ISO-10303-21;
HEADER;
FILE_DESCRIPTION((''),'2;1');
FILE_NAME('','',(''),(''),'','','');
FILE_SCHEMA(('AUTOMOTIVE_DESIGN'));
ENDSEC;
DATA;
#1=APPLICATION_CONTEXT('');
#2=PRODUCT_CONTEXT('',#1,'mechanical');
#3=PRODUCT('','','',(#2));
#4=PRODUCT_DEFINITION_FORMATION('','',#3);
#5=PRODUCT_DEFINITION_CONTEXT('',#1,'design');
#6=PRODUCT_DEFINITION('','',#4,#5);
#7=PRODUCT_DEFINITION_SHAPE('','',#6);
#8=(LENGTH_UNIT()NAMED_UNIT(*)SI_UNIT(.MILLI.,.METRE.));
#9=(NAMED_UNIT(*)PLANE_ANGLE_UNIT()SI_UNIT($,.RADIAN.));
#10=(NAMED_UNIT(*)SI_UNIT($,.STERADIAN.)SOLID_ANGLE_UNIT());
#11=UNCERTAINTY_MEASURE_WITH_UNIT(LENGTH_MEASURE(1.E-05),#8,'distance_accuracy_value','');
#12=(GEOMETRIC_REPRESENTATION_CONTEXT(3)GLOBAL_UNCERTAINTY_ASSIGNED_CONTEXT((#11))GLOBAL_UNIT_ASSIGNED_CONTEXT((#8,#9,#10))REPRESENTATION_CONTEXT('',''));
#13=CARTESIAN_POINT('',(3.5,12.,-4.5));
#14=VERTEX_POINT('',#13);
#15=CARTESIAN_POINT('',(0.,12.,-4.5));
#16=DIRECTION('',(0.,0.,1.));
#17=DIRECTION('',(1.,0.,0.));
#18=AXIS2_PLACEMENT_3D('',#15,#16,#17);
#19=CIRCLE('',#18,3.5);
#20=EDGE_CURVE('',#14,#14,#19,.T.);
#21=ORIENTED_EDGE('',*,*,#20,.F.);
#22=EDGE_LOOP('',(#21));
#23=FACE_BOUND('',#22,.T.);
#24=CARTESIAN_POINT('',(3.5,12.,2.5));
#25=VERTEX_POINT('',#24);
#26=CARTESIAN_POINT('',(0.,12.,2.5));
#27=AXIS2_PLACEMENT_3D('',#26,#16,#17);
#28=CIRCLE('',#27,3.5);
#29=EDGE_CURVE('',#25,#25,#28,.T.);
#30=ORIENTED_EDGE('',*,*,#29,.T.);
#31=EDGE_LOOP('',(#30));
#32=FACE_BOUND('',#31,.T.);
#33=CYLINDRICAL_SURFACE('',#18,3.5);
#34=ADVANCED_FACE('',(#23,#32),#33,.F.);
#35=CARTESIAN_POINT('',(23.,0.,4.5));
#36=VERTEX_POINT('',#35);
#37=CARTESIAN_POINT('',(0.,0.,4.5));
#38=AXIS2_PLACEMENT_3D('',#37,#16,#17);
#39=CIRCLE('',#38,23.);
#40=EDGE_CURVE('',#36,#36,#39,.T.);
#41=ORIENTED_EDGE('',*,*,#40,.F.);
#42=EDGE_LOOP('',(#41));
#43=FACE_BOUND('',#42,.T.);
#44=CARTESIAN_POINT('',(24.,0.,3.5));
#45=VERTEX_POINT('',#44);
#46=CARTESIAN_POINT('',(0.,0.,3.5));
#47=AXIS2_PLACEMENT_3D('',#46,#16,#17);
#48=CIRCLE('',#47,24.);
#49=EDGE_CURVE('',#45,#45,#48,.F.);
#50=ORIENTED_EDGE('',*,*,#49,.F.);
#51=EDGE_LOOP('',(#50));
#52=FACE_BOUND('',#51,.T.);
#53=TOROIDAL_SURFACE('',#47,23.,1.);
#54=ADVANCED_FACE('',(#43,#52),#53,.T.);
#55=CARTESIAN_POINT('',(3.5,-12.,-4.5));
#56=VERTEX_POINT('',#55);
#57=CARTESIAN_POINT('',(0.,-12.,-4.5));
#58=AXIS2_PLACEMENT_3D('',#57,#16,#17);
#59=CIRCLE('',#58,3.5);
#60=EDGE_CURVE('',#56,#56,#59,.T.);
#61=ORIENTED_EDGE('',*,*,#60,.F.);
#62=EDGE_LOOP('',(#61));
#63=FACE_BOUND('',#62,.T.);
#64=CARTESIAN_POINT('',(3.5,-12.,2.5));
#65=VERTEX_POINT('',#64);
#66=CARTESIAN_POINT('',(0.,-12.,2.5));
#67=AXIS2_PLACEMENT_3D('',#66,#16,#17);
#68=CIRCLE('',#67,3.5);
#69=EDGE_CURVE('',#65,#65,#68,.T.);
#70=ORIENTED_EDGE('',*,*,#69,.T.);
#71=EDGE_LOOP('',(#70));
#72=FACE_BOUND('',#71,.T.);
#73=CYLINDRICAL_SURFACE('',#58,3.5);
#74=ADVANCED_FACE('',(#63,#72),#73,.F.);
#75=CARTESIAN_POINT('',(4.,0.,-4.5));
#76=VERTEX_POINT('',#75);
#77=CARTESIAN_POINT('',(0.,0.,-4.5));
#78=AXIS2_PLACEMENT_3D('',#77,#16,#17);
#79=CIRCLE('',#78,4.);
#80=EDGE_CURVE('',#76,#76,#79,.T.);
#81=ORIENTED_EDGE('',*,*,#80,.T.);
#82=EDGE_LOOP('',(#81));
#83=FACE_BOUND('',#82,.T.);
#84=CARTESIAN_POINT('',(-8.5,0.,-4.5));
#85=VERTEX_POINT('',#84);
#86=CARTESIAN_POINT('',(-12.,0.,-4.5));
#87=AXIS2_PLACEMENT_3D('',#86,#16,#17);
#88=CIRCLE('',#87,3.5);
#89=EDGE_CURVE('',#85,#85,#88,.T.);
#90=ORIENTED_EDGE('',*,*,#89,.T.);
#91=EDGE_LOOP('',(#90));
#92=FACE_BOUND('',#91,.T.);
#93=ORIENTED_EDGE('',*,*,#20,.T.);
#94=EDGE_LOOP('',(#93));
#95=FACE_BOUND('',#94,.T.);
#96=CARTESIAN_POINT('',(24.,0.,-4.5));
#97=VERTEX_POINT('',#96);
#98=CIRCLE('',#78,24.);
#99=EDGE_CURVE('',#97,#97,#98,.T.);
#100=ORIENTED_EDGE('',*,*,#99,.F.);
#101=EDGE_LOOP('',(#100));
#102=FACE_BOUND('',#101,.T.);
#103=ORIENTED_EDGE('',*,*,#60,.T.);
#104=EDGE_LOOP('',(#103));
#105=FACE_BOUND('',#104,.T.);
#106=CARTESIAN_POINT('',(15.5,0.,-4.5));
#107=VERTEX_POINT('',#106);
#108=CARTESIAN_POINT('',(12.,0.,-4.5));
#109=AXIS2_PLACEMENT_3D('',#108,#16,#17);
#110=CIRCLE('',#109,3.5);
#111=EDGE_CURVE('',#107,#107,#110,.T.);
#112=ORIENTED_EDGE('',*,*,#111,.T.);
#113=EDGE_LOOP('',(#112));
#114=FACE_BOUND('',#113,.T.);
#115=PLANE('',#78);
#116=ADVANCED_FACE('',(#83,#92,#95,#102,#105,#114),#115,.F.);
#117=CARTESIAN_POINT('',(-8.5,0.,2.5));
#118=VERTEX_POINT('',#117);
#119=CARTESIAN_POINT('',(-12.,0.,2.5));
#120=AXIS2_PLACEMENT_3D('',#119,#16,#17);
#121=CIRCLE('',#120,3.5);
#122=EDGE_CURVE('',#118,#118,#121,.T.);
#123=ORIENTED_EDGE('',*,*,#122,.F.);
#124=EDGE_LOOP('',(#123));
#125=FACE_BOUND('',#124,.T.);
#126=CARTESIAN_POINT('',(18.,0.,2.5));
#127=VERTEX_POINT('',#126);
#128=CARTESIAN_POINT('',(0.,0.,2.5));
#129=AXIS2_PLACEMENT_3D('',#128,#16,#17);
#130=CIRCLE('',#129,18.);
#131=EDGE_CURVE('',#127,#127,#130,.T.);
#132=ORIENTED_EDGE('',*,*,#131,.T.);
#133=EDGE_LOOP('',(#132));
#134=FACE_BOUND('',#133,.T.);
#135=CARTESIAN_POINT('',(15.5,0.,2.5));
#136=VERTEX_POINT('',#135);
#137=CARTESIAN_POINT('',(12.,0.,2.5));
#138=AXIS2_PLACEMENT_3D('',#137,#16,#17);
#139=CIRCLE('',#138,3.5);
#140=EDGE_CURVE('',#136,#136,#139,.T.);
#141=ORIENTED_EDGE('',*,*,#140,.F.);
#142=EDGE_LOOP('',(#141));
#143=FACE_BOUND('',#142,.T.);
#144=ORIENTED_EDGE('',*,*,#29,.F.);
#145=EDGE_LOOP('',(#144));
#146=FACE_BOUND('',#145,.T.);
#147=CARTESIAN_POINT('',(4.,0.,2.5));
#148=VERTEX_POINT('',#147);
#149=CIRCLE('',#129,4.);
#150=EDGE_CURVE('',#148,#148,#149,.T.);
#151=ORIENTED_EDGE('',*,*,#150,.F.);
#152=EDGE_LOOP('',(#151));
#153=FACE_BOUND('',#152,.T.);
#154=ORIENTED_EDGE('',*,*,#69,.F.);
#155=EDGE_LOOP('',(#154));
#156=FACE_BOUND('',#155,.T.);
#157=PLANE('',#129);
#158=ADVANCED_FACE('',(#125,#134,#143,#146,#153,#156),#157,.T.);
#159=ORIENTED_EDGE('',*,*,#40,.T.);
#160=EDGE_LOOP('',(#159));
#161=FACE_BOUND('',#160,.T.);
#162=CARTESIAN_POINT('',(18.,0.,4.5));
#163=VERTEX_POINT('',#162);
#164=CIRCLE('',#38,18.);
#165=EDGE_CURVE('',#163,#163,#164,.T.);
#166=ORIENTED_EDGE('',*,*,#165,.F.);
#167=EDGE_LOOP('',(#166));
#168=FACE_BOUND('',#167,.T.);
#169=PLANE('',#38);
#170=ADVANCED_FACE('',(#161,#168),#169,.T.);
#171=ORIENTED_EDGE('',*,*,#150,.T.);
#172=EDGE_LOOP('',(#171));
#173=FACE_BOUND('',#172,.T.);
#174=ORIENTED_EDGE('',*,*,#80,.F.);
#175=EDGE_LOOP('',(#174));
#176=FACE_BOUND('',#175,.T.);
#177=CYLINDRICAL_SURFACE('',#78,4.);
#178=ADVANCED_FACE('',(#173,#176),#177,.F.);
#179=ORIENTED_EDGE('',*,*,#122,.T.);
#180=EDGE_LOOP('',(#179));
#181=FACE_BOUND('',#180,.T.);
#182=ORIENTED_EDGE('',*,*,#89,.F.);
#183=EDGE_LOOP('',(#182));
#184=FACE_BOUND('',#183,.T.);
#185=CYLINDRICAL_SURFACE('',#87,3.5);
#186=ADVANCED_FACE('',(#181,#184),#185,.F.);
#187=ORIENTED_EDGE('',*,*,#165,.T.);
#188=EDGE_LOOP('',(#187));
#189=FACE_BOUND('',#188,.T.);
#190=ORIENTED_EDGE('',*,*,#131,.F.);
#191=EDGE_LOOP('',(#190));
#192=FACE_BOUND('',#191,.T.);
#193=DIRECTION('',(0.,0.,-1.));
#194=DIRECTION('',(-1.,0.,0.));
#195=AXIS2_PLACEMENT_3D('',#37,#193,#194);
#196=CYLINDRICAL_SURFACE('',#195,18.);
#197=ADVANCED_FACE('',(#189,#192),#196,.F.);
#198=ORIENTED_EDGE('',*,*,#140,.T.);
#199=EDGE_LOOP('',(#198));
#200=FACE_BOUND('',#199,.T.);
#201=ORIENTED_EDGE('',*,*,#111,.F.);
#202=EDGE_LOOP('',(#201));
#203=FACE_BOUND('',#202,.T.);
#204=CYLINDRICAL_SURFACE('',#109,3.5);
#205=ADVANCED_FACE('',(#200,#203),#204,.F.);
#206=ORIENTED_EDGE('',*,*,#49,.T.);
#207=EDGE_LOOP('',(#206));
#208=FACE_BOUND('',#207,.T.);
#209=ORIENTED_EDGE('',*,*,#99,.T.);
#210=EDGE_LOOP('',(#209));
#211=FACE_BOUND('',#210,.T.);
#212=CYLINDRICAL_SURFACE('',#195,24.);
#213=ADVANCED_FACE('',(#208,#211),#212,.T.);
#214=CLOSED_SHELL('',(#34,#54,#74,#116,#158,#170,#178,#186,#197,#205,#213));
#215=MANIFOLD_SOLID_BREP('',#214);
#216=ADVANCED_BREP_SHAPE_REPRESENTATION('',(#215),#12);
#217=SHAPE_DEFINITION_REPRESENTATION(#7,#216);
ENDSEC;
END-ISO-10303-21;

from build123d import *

# Parameters (mm, degrees)
SKETCH1_R           = 24
SKETCH1_R_2         = 18
BOSS_EXTRUDE3_DEPTH = 4.5
BOSS_EXTRUDE4_START = -4.5
SKETCH1_7_R         = 18
SKETCH1_7_R_2       = 3.5
SKETCH1_7_R_3       = 4
BOSS_EXTRUDE4_DEPTH = 7
FILLET1_R           = 1


with BuildPart() as part:
    # Sketch1 → Boss-Extrude3 (new, symmetric)
    with BuildSketch(Plane.XY):
        Circle(SKETCH1_R)
        Circle(SKETCH1_R_2, mode=Mode.SUBTRACT)
    extrude(amount=BOSS_EXTRUDE3_DEPTH, both=True)

    # Sketch1<7> → Boss-Extrude4 (add)
    with BuildSketch(Plane.XY.offset(BOSS_EXTRUDE4_START)):
        Circle(SKETCH1_7_R)
        with Locations((0, -12)):
            Circle(SKETCH1_7_R_2, mode=Mode.SUBTRACT)
        with Locations((-12, 0)):
            Circle(SKETCH1_7_R_2, mode=Mode.SUBTRACT)
        Circle(SKETCH1_7_R_3, mode=Mode.SUBTRACT)
        with Locations((12, 0)):
            Circle(SKETCH1_7_R_2, mode=Mode.SUBTRACT)
        with Locations((0, 12)):
            Circle(SKETCH1_7_R_2, mode=Mode.SUBTRACT)
    extrude(amount=BOSS_EXTRUDE4_DEPTH)

    # Fillet1
    fillet1_edges = [part.edges().sort_by_distance(p)[0] for p in [
        (-24, 0, 4.5),
    ]]
    fillet(fillet1_edges, radius=FILLET1_R)


solid = part.part
